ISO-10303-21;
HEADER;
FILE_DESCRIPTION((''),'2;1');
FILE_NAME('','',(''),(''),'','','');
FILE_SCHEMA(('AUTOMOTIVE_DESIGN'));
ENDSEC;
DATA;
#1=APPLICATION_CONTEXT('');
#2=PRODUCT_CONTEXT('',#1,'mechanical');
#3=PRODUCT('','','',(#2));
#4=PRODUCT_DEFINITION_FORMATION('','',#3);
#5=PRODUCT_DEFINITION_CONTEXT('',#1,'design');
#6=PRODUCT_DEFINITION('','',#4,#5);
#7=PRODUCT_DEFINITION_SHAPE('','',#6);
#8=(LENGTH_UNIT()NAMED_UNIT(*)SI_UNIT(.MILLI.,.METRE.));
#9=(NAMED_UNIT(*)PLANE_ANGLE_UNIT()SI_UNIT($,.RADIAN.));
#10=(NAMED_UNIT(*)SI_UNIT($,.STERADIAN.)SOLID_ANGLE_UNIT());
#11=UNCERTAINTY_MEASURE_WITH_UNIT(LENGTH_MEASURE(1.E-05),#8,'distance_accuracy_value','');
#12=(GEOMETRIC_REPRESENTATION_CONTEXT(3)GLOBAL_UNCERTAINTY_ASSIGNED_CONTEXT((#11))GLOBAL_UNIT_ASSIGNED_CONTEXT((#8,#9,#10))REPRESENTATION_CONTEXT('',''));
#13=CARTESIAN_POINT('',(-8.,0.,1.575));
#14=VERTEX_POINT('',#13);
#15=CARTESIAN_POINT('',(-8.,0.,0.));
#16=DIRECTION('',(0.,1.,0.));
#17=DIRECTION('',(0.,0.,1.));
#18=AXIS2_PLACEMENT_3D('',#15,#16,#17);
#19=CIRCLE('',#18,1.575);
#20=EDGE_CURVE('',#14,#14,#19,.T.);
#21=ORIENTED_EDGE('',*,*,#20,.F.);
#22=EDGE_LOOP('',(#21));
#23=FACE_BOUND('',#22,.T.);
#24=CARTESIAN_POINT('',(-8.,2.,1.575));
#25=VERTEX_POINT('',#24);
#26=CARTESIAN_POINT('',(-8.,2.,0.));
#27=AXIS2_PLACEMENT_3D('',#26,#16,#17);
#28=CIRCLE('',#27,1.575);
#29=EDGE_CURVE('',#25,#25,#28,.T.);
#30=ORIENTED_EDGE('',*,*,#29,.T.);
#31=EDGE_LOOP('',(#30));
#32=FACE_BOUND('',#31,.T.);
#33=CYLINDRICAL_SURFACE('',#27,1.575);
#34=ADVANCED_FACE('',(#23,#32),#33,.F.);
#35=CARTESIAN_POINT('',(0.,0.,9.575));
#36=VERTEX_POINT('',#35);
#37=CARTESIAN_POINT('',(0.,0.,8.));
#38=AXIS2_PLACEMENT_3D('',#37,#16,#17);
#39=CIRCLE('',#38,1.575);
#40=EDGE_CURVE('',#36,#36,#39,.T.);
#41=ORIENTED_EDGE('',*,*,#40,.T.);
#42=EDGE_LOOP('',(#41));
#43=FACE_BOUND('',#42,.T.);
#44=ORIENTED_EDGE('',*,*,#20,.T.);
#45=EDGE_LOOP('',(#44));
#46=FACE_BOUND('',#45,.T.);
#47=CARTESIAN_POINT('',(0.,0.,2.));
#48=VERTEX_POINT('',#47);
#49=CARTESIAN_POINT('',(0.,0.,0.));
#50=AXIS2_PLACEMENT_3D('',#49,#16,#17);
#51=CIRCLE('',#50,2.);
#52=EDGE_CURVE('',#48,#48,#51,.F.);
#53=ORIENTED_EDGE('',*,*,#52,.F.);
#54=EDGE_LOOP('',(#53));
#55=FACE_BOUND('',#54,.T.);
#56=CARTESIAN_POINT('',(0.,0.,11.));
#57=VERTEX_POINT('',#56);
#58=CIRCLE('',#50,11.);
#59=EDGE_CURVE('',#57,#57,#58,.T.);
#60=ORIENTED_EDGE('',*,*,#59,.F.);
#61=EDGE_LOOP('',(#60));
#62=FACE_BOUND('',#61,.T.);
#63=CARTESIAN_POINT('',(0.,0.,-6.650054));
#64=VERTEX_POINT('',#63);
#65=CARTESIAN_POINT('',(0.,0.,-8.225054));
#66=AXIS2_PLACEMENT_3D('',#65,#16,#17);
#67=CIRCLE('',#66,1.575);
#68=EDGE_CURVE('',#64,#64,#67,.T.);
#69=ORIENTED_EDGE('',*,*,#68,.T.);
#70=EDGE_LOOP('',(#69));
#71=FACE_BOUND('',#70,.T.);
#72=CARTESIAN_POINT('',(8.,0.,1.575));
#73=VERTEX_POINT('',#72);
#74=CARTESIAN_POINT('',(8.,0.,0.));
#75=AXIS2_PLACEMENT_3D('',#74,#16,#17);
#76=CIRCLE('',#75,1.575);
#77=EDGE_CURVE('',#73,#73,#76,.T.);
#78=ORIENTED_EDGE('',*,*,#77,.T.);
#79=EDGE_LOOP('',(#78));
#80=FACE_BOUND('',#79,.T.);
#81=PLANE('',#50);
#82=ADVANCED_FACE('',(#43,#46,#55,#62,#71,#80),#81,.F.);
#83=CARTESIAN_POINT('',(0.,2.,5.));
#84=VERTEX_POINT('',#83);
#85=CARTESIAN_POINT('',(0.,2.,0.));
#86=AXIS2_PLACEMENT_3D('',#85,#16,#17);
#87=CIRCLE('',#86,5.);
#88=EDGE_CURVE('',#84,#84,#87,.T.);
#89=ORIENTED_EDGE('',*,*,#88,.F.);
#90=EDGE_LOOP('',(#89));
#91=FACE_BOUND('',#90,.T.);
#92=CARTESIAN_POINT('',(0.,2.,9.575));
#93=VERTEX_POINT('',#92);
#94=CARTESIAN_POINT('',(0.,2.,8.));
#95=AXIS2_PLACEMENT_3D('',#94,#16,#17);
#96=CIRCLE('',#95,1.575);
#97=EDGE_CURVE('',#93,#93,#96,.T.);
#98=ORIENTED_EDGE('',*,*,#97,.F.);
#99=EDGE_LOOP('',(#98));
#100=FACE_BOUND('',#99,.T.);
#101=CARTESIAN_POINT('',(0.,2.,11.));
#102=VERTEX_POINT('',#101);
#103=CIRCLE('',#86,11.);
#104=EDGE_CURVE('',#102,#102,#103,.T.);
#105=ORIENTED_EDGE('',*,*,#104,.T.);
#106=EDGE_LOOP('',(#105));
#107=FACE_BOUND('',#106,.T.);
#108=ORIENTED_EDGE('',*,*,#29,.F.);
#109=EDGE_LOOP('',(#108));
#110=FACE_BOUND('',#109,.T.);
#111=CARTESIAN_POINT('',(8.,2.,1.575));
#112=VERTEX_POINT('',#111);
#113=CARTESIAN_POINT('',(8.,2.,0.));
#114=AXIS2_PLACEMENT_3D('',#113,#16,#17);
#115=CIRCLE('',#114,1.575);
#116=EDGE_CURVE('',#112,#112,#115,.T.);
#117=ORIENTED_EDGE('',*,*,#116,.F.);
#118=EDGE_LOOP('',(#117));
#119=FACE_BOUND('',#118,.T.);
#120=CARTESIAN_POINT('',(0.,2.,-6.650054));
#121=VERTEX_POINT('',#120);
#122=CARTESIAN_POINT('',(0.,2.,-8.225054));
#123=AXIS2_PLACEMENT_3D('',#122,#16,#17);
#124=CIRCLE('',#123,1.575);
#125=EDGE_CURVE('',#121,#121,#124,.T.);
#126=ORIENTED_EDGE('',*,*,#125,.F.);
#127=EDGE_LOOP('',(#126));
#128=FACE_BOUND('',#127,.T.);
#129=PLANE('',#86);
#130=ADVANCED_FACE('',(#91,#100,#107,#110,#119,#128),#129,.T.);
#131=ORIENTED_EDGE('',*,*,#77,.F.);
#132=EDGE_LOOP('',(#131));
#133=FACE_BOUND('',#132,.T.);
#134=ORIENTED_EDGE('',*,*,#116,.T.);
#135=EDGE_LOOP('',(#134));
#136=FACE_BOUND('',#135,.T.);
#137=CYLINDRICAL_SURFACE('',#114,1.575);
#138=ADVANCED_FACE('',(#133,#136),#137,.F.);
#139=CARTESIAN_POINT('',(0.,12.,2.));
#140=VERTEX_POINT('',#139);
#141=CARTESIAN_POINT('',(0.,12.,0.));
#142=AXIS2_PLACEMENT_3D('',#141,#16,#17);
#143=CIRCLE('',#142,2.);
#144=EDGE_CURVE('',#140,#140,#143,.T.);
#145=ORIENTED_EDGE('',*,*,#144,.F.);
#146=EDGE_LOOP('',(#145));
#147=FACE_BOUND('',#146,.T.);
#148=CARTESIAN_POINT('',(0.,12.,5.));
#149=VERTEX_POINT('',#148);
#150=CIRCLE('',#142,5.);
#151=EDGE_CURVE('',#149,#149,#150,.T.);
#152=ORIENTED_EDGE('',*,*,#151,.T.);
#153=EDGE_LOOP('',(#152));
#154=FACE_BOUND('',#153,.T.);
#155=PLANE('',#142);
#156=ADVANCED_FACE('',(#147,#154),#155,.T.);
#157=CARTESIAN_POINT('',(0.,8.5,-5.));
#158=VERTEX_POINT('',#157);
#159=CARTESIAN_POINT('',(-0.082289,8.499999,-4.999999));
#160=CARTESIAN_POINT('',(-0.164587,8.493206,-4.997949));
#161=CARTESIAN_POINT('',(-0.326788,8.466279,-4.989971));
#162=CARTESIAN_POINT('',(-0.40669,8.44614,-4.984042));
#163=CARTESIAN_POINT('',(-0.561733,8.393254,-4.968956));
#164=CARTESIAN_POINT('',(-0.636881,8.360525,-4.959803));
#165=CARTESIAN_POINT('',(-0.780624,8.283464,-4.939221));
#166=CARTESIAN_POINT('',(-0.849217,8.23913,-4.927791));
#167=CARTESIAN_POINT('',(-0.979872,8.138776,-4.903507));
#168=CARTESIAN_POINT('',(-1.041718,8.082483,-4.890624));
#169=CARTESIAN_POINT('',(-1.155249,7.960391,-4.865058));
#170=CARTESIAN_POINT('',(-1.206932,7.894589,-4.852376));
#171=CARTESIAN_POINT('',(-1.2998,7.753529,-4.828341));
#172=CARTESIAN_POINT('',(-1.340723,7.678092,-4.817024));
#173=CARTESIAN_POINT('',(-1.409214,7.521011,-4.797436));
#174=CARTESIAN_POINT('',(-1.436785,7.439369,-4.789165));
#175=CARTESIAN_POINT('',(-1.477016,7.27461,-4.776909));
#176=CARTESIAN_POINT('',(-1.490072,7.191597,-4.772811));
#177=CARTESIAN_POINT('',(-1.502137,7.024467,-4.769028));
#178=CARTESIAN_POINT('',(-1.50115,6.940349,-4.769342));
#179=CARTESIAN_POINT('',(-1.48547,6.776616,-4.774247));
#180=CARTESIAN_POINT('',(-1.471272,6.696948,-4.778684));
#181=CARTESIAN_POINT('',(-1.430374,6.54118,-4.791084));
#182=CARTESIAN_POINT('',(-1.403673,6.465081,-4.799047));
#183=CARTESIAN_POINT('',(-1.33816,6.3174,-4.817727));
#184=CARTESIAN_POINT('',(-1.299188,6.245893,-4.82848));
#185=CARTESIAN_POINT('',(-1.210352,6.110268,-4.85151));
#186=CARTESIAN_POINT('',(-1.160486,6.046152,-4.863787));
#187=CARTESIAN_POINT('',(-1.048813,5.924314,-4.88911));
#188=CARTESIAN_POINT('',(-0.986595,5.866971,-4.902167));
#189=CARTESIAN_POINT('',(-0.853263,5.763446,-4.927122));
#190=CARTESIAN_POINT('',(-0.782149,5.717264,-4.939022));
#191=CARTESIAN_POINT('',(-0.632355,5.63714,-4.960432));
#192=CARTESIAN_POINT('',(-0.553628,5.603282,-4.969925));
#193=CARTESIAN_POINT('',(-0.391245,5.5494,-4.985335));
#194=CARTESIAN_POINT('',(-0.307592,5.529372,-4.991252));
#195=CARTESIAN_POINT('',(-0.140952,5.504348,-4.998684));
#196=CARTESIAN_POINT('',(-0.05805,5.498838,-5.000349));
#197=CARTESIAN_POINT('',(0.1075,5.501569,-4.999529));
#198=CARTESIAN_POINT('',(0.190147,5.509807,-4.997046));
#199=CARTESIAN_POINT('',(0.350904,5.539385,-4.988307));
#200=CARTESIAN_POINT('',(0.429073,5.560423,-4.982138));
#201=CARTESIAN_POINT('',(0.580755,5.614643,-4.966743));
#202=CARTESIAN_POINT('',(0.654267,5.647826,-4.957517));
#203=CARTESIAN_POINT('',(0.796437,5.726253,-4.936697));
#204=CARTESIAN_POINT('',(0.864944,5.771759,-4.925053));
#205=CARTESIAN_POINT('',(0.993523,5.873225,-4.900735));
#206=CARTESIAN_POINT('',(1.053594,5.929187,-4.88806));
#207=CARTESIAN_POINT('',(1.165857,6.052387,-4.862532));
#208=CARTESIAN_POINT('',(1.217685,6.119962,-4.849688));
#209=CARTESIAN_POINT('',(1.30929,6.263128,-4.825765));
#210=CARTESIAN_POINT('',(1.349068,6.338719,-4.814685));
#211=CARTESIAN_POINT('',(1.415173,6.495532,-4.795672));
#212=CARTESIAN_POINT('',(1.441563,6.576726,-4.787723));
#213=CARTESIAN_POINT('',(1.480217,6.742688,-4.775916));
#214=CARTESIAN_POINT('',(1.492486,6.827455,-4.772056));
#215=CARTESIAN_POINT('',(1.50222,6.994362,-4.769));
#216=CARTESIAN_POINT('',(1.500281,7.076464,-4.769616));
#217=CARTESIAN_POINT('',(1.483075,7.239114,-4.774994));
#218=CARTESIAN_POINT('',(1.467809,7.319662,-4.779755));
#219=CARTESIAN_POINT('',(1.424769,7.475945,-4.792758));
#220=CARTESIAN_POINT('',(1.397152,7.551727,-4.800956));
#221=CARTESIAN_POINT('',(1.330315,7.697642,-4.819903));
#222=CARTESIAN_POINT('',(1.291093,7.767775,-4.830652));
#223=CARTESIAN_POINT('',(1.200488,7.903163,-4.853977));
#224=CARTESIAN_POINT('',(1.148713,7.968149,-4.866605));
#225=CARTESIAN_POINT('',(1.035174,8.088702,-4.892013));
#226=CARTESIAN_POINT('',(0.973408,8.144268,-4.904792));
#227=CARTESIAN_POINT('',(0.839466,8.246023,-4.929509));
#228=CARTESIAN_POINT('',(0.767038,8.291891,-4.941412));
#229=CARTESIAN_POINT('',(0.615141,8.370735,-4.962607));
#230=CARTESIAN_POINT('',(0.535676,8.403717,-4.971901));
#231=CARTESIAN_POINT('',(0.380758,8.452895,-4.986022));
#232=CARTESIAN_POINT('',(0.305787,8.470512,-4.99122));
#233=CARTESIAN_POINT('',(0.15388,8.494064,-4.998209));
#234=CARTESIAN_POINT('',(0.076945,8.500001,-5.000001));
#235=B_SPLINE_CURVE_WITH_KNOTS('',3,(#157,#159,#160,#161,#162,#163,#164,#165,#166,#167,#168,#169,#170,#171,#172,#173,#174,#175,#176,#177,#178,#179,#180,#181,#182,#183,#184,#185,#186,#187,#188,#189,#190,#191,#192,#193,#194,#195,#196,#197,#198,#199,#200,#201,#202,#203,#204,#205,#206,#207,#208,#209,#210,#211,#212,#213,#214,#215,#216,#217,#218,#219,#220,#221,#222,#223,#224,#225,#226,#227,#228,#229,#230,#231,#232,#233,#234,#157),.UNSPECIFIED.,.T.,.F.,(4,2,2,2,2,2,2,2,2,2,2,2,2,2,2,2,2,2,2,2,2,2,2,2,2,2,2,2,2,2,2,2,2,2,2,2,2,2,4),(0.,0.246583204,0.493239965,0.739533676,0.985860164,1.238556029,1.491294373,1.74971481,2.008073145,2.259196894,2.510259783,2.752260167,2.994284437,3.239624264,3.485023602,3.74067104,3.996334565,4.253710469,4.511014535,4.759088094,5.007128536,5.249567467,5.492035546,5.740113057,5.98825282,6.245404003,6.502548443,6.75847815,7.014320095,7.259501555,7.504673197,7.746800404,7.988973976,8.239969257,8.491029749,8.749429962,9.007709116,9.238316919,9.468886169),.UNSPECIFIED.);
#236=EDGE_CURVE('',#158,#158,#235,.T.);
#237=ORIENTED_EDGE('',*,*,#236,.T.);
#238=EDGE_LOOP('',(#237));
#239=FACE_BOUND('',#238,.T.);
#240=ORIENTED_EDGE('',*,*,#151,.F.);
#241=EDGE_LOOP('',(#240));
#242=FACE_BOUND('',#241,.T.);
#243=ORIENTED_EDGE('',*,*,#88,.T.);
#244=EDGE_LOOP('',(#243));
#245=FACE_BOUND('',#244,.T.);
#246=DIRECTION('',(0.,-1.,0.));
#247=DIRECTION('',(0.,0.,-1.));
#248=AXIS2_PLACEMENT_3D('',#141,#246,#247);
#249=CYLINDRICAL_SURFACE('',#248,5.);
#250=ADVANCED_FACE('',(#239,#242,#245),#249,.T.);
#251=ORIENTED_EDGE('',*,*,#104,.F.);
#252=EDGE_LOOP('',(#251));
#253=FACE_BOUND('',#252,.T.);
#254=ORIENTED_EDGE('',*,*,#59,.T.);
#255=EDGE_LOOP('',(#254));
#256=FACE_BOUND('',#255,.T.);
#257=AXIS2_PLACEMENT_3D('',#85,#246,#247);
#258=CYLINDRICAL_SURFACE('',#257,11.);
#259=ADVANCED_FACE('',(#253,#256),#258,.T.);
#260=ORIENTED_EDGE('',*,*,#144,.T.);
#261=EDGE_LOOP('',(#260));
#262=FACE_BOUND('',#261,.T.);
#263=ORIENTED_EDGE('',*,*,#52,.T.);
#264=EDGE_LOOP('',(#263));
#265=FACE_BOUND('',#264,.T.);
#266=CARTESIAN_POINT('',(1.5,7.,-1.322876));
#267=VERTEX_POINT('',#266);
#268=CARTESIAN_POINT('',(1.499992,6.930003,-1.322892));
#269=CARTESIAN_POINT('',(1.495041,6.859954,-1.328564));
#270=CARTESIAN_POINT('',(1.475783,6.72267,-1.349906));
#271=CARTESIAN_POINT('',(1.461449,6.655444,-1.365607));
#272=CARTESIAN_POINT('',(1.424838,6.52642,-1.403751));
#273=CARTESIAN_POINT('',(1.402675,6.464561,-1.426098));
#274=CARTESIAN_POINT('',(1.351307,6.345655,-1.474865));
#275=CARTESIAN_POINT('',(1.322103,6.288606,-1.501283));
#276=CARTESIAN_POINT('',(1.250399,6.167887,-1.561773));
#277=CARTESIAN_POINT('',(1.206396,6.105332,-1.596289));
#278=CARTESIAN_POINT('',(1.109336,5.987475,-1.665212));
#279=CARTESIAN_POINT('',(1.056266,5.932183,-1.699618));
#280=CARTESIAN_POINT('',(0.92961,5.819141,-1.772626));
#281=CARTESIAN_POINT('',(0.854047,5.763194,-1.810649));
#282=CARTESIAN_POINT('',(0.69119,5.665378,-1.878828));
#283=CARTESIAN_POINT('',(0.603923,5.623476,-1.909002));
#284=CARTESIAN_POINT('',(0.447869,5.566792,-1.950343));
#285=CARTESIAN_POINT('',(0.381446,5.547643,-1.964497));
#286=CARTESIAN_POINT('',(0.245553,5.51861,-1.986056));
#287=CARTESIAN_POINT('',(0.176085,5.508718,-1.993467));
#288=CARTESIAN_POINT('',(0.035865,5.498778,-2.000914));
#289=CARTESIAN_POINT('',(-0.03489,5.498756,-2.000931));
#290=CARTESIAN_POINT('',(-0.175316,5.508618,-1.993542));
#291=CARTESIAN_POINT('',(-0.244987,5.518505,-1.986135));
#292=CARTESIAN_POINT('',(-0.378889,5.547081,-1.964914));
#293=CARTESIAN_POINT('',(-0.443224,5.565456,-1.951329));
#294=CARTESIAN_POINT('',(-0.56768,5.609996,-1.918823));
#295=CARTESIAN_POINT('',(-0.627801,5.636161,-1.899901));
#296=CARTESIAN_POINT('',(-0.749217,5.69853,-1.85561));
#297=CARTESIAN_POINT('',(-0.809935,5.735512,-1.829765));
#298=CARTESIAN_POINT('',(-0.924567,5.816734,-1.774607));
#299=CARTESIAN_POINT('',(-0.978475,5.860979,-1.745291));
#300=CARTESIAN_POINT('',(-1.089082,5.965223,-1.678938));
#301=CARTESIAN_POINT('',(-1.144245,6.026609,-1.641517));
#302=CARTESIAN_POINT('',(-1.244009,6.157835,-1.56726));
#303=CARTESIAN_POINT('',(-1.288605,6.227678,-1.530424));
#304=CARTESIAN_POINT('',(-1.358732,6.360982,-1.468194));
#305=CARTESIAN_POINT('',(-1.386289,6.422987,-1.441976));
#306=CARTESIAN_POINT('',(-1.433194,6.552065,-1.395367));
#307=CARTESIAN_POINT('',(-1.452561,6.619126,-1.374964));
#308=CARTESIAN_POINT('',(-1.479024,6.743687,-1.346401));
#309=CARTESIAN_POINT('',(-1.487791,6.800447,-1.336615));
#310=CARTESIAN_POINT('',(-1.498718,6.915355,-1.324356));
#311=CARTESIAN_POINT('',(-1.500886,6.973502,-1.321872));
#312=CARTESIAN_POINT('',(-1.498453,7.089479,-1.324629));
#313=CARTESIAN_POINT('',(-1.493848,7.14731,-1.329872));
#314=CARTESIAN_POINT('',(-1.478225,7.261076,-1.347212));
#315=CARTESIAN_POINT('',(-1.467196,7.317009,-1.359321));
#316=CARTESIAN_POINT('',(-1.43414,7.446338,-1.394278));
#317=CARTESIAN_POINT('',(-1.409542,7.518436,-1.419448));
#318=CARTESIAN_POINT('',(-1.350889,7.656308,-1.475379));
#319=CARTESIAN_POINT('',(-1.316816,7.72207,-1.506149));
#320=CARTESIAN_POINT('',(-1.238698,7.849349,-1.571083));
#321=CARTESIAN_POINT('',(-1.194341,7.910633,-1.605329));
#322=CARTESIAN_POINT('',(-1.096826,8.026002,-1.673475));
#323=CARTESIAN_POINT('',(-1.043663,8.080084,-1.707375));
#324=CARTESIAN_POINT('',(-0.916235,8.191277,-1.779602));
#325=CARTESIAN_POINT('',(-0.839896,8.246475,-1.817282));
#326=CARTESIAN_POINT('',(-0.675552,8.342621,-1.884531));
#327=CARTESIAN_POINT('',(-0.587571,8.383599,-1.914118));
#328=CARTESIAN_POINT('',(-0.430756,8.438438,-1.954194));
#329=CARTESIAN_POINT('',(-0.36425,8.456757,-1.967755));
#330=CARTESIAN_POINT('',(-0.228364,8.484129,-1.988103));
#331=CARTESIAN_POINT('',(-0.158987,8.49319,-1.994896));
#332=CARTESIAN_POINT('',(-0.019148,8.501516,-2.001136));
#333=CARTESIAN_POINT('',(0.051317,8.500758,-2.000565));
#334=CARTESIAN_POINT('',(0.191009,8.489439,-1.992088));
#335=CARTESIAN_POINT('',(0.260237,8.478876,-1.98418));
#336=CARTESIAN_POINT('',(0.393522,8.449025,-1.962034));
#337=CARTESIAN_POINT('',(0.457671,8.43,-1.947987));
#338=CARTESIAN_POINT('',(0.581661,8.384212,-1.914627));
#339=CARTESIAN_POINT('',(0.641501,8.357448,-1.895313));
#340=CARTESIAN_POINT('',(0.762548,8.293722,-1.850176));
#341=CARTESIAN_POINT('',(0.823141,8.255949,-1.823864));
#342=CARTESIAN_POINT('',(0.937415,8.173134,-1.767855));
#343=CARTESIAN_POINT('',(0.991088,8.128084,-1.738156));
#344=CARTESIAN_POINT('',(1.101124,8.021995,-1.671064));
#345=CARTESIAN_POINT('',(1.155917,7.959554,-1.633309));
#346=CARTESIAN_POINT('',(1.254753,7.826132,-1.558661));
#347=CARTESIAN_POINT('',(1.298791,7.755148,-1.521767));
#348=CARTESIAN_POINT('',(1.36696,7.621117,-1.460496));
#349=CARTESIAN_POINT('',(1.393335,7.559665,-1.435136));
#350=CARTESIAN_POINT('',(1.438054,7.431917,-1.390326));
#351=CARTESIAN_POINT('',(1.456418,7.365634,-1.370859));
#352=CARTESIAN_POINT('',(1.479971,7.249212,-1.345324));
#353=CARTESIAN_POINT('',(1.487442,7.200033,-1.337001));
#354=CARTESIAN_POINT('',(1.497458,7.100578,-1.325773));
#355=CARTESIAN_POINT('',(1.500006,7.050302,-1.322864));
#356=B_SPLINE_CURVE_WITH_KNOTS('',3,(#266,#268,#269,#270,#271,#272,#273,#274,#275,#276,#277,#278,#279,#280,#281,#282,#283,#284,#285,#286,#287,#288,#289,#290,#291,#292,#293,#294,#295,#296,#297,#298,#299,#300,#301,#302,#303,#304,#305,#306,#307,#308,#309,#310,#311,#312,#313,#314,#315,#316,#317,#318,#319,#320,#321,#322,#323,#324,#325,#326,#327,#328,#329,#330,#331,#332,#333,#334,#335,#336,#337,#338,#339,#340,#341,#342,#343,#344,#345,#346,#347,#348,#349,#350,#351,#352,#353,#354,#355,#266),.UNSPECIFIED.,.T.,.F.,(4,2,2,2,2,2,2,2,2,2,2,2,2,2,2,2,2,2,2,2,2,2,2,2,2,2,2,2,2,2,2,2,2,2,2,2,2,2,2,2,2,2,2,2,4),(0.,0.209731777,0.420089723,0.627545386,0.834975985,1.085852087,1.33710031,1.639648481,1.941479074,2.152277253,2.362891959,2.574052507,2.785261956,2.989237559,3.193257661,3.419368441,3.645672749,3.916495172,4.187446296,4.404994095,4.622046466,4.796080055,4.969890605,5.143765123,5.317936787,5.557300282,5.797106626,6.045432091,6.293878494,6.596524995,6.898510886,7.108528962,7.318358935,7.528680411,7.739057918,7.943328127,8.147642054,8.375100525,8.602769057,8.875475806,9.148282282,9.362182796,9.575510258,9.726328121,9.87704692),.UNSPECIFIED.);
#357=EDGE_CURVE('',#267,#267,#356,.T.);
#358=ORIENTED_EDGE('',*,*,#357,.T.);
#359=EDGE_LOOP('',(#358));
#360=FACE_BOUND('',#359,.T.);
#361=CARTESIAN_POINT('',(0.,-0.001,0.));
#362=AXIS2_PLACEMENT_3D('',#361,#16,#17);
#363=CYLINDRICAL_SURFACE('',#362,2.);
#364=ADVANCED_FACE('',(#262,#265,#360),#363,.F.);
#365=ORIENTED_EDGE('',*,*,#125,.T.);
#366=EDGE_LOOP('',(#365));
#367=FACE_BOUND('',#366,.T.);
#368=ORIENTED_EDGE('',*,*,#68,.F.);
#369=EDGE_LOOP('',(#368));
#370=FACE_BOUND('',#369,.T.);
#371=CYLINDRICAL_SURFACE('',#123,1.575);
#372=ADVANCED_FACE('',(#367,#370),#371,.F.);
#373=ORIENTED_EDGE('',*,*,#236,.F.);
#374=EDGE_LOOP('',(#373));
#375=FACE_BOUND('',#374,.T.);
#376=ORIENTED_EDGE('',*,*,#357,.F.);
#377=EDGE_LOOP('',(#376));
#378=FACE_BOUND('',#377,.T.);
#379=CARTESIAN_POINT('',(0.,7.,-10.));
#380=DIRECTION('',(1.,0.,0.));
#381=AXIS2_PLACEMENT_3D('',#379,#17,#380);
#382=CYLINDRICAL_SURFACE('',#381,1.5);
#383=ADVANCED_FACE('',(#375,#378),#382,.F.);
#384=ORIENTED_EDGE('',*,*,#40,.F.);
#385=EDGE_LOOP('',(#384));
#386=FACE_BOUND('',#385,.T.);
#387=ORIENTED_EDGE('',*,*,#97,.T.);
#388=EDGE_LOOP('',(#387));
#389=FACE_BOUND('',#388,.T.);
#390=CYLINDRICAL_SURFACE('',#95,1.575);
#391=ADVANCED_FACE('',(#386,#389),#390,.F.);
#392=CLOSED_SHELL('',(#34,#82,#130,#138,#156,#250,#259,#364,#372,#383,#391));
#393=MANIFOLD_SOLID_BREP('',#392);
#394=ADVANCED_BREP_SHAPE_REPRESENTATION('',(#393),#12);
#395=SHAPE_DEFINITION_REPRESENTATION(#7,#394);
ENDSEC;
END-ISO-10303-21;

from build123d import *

# Parameters (mm, degrees)
SKETCH_2_R            = 11
EXTRUDE_1_DEPTH       = 2
SKETCH_7_R            = 5
EXTRUDE_2_DEPTH       = 10
CUT_EXTRUDE_3_REACH   = 21.647
SKETCH_8_R            = 2
HOLE_WIZARD_M31_D     = 3.15
HOLE_WIZARD_M31_DEPTH = 8
HOLE_WIZARD_M31_TIP   = 0.946355475
SKETCH_12_R           = 1.5
CUT_EXTRUDE_4_DEPTH   = 10


with BuildPart() as part:
    # Эскиз2 → Бобышка-Вытянуть1 (new body)
    with BuildSketch(Plane(origin=(0, 0, 0), x_dir=(1, 0, 0), z_dir=(0, 1, 0))):
        with Locations(Location((0, 0, 0), (0, 0, 270))):
            Circle(SKETCH_2_R)
    extrude(amount=EXTRUDE_1_DEPTH)

    # Эскиз7 → Бобышка-Вытянуть2 (add)
    with BuildSketch(Plane(origin=(0, 2, 0), x_dir=(1, 0, 0), z_dir=(0, 1, 0))):
        with Locations(Location((0, 0, 0), (0, 0, 270))):
            Circle(SKETCH_7_R)
    extrude(amount=EXTRUDE_2_DEPTH)

    # Эскиз8 → Вырез-Вытянуть3 (cut, up to next)
    with BuildSketch(Plane(origin=(0, 12, 0), x_dir=(1, 0, 0), z_dir=(0, 1, 0)), mode=Mode.PRIVATE) as cut_extrude_3_sk1:
        with Locations(Location((0, 0, 0), (0, 0, 270))):
            Circle(SKETCH_8_R)
    cut_extrude_3_tool1 = extrude(cut_extrude_3_sk1.sketch, amount=-CUT_EXTRUDE_3_REACH, mode=Mode.PRIVATE) & part.part
    add(cut_extrude_3_tool1.solids().sort_by_distance((0, 12, 0))[0], mode=Mode.SUBTRACT)

    # Сверло под метчик  спиральное M31
    with Locations(Plane(origin=(0, 2, 0), x_dir=(1, 0, 0), z_dir=(0, 1, 0))):
        with Locations((0, -8), (-8, 0), (0, 8.225054206), (8, 0)):
            Hole(HOLE_WIZARD_M31_D / 2, depth=HOLE_WIZARD_M31_DEPTH)
            with Locations((0, 0, -(HOLE_WIZARD_M31_DEPTH + HOLE_WIZARD_M31_TIP / 2))):  # 118° drill point
                Cone(0, HOLE_WIZARD_M31_D / 2, HOLE_WIZARD_M31_TIP, mode=Mode.SUBTRACT)

    # Эскиз12 → Вырез-Вытянуть4 (cut)
    with BuildSketch(Plane.XY):
        with Locations((0, 7)):
            Circle(SKETCH_12_R)
    extrude(amount=-CUT_EXTRUDE_4_DEPTH, mode=Mode.SUBTRACT)


solid = part.part
